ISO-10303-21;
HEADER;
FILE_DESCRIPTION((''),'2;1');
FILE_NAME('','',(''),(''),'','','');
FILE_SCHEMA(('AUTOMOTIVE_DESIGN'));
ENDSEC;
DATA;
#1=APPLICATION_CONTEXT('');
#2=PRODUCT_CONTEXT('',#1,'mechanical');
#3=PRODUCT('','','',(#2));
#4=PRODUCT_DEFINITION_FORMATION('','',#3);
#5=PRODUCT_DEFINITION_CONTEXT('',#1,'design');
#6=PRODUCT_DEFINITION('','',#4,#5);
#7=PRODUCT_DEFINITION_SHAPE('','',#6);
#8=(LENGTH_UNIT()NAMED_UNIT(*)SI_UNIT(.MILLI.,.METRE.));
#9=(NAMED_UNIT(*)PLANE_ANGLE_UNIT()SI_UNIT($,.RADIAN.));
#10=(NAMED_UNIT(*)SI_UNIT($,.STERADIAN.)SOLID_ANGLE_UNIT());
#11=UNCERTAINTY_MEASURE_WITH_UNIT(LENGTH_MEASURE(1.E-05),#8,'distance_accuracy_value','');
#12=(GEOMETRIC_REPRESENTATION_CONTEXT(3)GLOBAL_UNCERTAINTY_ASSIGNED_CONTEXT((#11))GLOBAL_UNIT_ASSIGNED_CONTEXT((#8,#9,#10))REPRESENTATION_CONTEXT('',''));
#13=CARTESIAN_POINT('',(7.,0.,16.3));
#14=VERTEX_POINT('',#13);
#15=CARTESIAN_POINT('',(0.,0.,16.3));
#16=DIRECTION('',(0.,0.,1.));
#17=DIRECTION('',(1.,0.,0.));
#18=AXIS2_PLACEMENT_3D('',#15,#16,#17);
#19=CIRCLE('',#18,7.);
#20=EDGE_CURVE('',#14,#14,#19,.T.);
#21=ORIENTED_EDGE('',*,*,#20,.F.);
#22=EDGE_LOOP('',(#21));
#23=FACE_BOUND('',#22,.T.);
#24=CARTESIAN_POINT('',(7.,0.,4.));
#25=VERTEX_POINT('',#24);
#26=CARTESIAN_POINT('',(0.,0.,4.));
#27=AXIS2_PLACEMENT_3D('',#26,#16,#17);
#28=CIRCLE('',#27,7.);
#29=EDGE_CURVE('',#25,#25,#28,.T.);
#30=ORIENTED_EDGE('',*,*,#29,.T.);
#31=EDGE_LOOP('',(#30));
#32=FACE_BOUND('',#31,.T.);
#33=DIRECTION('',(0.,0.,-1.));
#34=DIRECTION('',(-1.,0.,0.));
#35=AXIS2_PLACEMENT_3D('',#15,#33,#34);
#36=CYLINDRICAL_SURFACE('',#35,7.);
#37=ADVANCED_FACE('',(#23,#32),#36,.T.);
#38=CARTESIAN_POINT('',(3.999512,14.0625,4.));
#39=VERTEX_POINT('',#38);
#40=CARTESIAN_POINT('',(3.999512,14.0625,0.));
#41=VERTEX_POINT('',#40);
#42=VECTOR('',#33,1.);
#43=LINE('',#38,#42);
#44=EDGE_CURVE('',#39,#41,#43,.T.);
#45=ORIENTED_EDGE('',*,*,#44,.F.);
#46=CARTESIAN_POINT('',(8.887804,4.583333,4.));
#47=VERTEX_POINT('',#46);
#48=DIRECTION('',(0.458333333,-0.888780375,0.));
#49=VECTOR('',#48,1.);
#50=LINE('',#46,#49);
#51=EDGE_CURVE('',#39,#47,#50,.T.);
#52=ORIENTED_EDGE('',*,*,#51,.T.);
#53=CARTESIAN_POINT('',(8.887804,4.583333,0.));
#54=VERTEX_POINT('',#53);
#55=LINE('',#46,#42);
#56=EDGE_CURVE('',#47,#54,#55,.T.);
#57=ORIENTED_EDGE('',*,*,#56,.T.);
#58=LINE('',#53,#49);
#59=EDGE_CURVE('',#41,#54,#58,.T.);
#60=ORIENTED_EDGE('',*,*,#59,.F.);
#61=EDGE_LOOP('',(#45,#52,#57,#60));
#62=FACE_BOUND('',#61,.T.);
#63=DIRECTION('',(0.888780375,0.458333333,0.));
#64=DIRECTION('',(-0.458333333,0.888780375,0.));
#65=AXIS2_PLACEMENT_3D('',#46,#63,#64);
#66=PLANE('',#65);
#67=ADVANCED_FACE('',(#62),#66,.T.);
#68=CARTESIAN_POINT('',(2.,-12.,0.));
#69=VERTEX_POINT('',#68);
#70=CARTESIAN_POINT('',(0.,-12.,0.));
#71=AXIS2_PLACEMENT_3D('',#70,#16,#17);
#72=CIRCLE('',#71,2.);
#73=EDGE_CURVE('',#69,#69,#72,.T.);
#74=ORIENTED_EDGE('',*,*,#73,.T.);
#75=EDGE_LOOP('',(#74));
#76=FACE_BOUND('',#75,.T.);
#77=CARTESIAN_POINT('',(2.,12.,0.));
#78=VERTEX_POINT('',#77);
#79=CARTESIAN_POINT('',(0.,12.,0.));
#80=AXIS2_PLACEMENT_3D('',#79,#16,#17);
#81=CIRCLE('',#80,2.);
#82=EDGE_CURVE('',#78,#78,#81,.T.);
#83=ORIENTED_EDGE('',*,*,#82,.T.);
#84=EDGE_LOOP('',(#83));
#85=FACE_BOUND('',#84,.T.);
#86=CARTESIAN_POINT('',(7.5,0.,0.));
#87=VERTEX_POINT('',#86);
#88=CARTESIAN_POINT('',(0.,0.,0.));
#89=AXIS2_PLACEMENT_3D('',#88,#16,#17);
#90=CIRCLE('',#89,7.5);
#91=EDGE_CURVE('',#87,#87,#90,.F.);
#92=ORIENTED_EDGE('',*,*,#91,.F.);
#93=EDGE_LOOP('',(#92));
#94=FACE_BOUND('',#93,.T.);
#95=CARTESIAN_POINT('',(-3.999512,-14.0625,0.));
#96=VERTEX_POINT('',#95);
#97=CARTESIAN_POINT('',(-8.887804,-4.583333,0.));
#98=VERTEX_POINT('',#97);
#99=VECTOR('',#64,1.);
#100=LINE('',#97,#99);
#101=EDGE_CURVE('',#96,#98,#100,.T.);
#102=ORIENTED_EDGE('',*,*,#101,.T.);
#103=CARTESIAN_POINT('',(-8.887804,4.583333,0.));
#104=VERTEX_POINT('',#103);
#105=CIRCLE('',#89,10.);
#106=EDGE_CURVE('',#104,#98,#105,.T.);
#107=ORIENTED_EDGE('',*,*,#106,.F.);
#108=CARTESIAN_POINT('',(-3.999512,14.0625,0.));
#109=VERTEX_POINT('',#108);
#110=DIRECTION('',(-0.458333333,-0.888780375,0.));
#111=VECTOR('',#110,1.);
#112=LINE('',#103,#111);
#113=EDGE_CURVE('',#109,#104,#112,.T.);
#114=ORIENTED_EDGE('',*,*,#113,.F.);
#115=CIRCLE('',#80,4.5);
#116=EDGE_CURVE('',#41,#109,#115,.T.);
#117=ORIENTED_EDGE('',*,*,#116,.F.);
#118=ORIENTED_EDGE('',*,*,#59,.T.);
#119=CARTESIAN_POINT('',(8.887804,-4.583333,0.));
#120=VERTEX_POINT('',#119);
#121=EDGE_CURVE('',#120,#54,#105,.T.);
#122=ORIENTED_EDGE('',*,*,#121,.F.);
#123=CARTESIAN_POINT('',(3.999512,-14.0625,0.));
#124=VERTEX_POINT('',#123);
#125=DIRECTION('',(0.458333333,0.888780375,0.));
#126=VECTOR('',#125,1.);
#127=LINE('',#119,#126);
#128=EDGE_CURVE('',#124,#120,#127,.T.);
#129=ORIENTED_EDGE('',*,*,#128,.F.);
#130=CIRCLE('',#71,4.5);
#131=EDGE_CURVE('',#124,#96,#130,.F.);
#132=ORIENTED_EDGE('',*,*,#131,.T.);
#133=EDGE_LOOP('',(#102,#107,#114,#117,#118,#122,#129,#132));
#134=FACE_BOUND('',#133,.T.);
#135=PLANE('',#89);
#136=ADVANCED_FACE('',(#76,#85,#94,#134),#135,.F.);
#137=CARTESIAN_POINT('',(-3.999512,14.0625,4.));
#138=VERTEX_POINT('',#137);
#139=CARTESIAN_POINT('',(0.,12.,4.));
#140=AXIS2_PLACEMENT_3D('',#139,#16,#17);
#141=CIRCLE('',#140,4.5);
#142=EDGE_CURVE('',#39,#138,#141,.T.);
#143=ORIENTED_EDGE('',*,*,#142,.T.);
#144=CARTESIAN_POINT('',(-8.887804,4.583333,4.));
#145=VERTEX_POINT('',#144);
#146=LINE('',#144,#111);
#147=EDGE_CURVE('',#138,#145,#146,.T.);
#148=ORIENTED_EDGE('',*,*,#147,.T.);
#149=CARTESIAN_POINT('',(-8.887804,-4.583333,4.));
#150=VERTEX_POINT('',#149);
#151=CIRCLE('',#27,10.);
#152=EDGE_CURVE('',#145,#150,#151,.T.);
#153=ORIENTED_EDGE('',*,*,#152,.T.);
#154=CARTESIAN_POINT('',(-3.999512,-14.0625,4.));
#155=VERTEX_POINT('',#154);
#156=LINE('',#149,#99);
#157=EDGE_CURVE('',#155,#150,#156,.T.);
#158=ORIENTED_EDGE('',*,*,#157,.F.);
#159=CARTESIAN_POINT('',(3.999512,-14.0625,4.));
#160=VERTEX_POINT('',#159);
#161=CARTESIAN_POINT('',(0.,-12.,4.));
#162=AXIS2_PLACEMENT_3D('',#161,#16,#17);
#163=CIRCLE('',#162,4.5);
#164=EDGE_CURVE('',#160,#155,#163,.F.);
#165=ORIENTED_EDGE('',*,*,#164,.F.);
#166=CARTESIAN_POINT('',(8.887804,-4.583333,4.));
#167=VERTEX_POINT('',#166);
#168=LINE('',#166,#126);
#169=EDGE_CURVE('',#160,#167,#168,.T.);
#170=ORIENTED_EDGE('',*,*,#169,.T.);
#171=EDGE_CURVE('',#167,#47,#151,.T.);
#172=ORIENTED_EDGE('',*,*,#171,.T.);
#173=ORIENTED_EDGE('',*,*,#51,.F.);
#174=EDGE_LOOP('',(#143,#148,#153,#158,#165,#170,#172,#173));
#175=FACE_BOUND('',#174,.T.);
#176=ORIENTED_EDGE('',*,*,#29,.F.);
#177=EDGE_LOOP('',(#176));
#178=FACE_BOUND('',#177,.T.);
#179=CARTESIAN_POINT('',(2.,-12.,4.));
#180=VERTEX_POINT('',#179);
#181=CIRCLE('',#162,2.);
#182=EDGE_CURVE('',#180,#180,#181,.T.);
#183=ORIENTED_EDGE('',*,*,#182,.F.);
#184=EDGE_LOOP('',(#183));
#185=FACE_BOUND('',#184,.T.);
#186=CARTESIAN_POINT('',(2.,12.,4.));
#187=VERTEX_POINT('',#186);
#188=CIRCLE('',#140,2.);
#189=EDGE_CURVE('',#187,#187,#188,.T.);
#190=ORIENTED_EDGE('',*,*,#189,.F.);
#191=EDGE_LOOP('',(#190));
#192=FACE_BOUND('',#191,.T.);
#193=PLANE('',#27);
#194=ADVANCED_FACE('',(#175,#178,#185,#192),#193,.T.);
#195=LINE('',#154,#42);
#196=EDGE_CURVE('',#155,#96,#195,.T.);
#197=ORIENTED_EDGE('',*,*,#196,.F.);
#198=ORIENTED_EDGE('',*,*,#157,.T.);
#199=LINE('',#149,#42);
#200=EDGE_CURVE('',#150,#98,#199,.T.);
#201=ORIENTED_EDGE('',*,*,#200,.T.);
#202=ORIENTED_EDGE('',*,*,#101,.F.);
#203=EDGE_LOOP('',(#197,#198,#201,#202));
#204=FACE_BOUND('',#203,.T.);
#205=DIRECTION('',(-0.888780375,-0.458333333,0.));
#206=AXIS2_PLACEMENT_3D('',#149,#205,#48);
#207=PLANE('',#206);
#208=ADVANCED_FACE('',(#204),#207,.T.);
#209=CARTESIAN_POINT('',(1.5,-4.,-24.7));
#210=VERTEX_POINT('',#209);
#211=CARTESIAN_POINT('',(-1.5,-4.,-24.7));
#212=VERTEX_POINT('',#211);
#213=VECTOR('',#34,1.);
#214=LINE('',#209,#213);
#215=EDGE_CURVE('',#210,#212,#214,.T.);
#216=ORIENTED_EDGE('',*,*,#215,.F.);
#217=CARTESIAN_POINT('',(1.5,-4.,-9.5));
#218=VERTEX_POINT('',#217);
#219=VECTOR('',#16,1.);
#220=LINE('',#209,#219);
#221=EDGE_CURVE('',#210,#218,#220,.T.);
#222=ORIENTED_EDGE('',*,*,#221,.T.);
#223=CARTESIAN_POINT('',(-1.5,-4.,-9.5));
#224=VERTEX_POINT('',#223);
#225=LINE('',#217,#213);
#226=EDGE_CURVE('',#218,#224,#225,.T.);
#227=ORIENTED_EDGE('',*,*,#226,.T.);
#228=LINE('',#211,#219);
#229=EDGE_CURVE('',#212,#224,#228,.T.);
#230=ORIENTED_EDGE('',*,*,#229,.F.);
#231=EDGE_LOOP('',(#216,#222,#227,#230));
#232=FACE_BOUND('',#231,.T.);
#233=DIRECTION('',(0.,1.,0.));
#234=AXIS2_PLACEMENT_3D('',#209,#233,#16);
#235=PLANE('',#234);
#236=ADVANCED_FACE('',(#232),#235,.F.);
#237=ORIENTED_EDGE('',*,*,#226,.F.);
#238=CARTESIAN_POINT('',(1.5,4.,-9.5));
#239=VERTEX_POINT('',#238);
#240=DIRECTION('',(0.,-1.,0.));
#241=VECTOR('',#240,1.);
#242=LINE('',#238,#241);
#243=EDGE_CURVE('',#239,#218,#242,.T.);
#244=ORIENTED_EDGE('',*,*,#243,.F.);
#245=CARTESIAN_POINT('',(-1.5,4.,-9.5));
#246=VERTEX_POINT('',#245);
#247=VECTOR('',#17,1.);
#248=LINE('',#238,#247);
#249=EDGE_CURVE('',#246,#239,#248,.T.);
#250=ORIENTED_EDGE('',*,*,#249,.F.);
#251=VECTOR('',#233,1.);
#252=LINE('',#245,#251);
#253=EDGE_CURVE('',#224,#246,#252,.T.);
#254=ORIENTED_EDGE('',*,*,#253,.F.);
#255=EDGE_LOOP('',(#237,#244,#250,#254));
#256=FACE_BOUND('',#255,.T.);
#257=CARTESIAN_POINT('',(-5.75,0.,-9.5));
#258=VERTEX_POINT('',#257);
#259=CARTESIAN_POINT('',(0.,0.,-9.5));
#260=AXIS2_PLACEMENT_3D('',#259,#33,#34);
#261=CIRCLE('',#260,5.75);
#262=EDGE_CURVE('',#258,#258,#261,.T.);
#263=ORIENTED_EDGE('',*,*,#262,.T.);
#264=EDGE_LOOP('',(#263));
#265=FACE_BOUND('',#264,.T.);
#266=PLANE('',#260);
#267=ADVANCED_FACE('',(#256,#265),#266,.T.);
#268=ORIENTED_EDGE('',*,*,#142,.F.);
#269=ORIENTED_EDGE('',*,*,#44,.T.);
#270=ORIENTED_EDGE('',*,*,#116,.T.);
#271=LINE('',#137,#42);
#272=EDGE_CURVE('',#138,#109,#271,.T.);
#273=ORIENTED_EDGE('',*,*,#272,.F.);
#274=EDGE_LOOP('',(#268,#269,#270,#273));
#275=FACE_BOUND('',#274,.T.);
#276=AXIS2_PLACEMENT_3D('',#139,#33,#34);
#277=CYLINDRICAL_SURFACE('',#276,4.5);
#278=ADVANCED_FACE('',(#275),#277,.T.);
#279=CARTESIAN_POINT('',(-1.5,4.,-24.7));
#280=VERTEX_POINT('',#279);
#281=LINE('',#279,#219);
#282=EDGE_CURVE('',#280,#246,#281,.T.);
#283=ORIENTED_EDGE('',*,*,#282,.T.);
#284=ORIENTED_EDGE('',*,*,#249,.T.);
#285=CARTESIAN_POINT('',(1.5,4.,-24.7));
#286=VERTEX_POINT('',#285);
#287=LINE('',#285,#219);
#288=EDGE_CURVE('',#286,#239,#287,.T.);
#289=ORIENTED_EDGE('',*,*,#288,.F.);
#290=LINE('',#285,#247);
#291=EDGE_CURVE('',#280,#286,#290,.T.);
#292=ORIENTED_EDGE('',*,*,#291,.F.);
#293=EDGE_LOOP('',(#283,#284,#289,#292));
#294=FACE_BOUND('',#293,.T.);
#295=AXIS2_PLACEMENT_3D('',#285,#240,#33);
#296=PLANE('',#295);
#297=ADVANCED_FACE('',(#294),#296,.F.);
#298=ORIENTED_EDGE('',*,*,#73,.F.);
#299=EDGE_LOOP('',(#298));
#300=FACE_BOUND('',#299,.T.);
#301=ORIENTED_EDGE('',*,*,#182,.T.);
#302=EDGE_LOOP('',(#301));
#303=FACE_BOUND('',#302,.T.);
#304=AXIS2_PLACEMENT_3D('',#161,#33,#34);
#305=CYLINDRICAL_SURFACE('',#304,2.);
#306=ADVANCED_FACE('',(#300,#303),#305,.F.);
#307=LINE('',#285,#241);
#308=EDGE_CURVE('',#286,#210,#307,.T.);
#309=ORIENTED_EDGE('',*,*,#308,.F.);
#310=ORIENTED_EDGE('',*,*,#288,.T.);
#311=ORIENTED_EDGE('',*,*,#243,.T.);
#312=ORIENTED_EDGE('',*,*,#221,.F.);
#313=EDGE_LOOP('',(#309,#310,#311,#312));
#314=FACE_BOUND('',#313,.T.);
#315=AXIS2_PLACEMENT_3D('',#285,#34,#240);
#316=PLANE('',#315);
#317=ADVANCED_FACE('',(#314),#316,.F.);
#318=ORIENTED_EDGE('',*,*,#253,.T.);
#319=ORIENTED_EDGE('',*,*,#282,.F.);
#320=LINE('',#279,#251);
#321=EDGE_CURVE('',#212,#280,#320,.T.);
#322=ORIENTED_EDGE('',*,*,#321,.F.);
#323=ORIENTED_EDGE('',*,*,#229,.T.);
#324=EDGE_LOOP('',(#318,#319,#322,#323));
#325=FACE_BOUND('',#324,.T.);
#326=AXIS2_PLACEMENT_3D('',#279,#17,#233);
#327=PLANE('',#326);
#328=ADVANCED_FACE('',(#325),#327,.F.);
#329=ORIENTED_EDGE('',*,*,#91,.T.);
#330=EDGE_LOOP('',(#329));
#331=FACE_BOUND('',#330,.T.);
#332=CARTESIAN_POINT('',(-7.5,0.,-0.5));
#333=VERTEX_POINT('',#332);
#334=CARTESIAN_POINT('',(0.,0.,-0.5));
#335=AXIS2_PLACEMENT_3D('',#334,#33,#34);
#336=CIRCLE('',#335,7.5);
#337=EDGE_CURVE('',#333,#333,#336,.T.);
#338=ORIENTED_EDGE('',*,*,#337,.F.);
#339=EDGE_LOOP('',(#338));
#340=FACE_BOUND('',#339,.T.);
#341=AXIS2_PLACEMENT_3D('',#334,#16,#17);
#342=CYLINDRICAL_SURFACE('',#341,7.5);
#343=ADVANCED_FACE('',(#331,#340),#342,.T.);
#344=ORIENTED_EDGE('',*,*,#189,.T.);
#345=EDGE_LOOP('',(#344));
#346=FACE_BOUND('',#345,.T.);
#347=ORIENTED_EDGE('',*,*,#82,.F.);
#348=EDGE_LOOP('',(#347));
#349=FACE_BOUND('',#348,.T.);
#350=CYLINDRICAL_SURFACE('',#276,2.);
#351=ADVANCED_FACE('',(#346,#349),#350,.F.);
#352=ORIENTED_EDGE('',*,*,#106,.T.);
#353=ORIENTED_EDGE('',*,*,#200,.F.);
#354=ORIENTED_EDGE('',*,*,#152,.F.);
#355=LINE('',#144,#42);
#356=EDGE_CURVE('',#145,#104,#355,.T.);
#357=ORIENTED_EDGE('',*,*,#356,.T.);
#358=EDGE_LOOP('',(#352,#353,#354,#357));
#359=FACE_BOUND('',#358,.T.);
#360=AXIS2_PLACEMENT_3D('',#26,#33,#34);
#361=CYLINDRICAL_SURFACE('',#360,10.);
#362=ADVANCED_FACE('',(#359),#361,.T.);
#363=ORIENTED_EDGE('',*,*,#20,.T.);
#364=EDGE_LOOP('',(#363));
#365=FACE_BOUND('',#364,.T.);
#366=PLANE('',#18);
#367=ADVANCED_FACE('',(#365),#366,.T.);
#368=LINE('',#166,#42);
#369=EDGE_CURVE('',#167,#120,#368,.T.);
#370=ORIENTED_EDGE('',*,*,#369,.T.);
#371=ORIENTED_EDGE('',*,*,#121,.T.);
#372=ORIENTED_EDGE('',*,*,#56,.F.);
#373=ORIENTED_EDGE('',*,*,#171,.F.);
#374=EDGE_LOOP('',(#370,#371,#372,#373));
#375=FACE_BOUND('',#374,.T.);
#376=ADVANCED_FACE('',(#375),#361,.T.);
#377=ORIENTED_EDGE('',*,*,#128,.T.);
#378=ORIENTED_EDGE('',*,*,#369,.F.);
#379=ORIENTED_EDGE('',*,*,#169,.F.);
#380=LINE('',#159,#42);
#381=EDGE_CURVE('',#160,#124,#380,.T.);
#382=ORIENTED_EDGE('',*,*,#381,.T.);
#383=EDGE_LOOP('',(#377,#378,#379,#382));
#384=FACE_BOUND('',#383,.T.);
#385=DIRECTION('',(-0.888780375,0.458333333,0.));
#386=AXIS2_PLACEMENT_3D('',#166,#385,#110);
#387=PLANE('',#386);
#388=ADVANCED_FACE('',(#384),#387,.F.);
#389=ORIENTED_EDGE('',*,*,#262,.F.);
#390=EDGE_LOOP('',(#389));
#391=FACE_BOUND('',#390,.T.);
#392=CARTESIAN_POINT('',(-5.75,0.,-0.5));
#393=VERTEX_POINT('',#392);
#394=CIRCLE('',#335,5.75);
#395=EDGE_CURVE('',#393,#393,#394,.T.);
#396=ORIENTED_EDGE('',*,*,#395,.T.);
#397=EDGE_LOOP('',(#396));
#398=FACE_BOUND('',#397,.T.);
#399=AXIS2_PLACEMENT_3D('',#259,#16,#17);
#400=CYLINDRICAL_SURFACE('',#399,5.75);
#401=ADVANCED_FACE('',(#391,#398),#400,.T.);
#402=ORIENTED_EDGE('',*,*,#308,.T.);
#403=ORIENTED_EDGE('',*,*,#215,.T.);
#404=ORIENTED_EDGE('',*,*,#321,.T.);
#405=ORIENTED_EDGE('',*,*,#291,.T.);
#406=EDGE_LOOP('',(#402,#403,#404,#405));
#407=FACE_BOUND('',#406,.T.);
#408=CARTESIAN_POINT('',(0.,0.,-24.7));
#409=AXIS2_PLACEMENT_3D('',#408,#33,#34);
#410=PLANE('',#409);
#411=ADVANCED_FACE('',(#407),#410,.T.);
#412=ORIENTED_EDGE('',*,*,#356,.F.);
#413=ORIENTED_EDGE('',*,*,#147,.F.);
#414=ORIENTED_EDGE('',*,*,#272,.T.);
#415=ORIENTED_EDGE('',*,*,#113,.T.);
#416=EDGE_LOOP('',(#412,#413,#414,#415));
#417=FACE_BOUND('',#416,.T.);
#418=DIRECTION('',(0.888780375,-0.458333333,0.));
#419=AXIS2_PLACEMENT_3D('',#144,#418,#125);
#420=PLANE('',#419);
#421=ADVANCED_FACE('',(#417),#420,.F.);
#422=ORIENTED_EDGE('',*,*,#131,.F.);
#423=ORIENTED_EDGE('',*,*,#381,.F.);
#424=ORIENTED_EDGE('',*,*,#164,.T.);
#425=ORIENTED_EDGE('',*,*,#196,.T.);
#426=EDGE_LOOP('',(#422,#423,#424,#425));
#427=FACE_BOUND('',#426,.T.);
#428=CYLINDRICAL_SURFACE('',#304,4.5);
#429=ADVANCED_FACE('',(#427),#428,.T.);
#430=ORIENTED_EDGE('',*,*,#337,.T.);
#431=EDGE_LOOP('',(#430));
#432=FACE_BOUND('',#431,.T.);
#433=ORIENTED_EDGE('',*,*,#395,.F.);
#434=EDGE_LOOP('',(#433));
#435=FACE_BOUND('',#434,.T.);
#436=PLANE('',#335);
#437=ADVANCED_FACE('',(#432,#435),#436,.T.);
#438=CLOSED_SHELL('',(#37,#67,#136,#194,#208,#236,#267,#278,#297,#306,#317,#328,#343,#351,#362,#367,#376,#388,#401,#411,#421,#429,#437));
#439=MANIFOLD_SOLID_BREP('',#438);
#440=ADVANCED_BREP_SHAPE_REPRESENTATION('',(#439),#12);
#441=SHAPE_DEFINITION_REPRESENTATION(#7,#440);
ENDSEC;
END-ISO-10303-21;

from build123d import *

# Parameters (mm, degrees)
SKETCH1_R           = 2
BOSS_EXTRUDE1_DEPTH = 4
SKETCH2_R           = 7
BOSS_EXTRUDE2_DEPTH = 12.3
SKETCH3_R           = 7.5
BOSS_EXTRUDE3_DEPTH = 0.5
SKETCH4_W           = 3
SKETCH4_H           = 8
BOSS_EXTRUDE4_DEPTH = 24.2
SKETCH5_R           = 5.75
BOSS_EXTRUDE5_DEPTH = 9


with BuildPart() as part:
    # Sketch1 → Boss-Extrude1 (new body)
    with BuildSketch(Plane.XY):
        with BuildLine():
            ThreePointArc((-3.999511648, -14.062500079), (-8.7e-08, -16.5), (3.999511568, -14.062500234))
            Line((3.999511568, -14.062500234), (8.887803753, -4.583333333))
            ThreePointArc((8.887803753, -4.583333333), (10, 0), (8.887803753, 4.583333333))
            Line((8.887803753, 4.583333333), (3.999511579, 14.062500214))
            ThreePointArc((3.999511579, 14.062500214), (-6.7e-08, 16.5), (-3.99951164, 14.062500095))
            Line((-3.99951164, 14.062500095), (-8.887803753, 4.583333333))
            ThreePointArc((-8.887803753, 4.583333333), (-10, 0), (-8.887803753, -4.583333333))
            Line((-8.887803753, -4.583333333), (-3.999511648, -14.062500079))
        make_face()
        with Locations((0, -12)):
            Circle(SKETCH1_R, mode=Mode.SUBTRACT)
        with Locations((0, 12)):
            Circle(SKETCH1_R, mode=Mode.SUBTRACT)
    extrude(amount=BOSS_EXTRUDE1_DEPTH)

    # Sketch2 → Boss-Extrude2 (add)
    with BuildSketch(Plane.XY.offset(4)):
        Circle(SKETCH2_R)
    extrude(amount=BOSS_EXTRUDE2_DEPTH)

    # Sketch3 → Boss-Extrude3 (add)
    with BuildSketch(Plane(origin=(0, 0, 0), x_dir=(-1, 0, 0), z_dir=(0, 0, -1))):
        with Locations(Location((0, 0, 0), (0, 0, 180))):
            Circle(SKETCH3_R)
    extrude(amount=BOSS_EXTRUDE3_DEPTH)

    # Sketch4 → Boss-Extrude4 (add)
    with BuildSketch(Plane(origin=(0, 0, -0.5), x_dir=(-1, 0, 0), z_dir=(0, 0, -1))):
        Rectangle(SKETCH4_W, SKETCH4_H)
    extrude(amount=BOSS_EXTRUDE4_DEPTH)

    # Sketch5 → Boss-Extrude5 (add)
    with BuildSketch(Plane(origin=(0, 0, -0.5), x_dir=(-1, 0, 0), z_dir=(0, 0, -1))):
        Circle(SKETCH5_R)
    extrude(amount=BOSS_EXTRUDE5_DEPTH)


solid = part.part
